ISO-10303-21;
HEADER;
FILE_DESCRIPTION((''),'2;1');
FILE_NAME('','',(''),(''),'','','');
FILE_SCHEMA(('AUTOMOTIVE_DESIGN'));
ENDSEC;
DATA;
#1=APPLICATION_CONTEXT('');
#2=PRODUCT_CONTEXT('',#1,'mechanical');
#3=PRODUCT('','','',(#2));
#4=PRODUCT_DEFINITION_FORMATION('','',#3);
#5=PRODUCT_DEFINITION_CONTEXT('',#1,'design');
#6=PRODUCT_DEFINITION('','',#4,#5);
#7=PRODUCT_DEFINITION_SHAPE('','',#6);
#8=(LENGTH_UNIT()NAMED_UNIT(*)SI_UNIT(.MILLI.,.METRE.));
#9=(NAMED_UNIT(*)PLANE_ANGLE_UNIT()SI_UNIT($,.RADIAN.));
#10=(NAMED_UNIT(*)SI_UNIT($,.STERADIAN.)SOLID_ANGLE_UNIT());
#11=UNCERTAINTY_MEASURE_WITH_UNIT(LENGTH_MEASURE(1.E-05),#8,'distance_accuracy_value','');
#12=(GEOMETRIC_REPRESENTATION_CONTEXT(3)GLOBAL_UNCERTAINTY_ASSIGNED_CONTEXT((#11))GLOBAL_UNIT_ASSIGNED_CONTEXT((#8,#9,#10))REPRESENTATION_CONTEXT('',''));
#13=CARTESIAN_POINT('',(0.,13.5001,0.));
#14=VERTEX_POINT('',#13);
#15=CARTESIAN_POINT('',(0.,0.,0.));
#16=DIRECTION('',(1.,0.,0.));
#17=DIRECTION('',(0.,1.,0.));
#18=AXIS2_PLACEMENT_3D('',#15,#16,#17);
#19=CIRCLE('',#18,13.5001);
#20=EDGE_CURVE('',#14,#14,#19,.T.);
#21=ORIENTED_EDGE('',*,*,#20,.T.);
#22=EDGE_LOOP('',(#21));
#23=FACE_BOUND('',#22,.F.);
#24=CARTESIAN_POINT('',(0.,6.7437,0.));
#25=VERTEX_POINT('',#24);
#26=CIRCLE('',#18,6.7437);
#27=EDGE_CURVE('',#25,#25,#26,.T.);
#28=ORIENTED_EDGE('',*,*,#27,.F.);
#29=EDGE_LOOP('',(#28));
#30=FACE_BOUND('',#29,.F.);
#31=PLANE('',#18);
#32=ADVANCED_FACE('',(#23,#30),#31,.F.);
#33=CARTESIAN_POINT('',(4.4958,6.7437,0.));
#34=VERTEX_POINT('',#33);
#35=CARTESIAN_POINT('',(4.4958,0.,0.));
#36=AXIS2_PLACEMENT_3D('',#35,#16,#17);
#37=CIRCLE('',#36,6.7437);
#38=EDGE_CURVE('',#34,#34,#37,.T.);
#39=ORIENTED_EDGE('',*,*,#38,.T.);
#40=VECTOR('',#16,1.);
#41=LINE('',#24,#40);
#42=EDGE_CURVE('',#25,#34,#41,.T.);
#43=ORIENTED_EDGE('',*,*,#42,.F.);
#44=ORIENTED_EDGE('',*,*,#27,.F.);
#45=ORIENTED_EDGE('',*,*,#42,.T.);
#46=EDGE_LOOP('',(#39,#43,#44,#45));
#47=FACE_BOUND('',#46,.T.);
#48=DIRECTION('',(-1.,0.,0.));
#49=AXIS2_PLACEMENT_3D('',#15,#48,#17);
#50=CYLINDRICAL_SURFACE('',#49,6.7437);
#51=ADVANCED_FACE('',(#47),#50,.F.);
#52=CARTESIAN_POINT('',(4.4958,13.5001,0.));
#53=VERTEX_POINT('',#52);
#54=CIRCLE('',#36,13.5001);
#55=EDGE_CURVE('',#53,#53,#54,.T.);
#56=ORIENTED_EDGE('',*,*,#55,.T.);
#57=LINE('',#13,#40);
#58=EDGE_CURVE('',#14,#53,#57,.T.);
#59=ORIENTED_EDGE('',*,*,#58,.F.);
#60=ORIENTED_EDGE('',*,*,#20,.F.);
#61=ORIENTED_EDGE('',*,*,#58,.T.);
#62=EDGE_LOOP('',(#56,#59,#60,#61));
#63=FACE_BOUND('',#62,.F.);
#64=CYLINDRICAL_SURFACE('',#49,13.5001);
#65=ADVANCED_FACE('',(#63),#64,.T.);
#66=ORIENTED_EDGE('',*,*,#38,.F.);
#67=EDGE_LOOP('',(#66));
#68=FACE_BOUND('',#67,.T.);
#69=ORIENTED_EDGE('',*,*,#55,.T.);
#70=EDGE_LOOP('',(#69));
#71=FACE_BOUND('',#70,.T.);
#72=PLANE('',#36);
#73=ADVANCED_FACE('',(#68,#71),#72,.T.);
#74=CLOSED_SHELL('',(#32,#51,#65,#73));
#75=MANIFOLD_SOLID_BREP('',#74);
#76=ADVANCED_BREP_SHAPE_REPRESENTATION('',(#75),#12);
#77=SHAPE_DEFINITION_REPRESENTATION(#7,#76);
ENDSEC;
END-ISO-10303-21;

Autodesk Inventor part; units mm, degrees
ref_plane "YZ Plane" through (0, 0, 0) normal (1, 0, 0) x (0, 1, 0)
ref_plane "XZ Plane" through (0, 0, 0) normal (0, 1, 0) x (-1, 0, 0)
sketch "Sketch" plane through (0, 0, 0) normal (1, 0, 0) x (0, 1, 0)
  circle A0 centre (0, 0) radius 13.5001
  circle A1 centre (0, 0) radius 6.7437
  dimension "d0" = 13.4874
  dimension "d1" = 27.0002
extrude "Body" add sketch "Sketch" along normal blind 4.4958
ref_plane "Work Plane1" through (0, 0, 0) normal (0, 0, 1) x (1, 0, 0)
equation "\"d0\" = SD1"
equation "\"d1\" = SD2"
equation "\"d2\" = SD"
equation "\"SD1\" = 13.4874"
equation "\"SD2\" = 27.0002"
equation "\"SD\" = 4.4958"
equation "\"NND\" = 12.7"
properties part number "ASTM F436 - 1/2" material "Steel, Mild"
